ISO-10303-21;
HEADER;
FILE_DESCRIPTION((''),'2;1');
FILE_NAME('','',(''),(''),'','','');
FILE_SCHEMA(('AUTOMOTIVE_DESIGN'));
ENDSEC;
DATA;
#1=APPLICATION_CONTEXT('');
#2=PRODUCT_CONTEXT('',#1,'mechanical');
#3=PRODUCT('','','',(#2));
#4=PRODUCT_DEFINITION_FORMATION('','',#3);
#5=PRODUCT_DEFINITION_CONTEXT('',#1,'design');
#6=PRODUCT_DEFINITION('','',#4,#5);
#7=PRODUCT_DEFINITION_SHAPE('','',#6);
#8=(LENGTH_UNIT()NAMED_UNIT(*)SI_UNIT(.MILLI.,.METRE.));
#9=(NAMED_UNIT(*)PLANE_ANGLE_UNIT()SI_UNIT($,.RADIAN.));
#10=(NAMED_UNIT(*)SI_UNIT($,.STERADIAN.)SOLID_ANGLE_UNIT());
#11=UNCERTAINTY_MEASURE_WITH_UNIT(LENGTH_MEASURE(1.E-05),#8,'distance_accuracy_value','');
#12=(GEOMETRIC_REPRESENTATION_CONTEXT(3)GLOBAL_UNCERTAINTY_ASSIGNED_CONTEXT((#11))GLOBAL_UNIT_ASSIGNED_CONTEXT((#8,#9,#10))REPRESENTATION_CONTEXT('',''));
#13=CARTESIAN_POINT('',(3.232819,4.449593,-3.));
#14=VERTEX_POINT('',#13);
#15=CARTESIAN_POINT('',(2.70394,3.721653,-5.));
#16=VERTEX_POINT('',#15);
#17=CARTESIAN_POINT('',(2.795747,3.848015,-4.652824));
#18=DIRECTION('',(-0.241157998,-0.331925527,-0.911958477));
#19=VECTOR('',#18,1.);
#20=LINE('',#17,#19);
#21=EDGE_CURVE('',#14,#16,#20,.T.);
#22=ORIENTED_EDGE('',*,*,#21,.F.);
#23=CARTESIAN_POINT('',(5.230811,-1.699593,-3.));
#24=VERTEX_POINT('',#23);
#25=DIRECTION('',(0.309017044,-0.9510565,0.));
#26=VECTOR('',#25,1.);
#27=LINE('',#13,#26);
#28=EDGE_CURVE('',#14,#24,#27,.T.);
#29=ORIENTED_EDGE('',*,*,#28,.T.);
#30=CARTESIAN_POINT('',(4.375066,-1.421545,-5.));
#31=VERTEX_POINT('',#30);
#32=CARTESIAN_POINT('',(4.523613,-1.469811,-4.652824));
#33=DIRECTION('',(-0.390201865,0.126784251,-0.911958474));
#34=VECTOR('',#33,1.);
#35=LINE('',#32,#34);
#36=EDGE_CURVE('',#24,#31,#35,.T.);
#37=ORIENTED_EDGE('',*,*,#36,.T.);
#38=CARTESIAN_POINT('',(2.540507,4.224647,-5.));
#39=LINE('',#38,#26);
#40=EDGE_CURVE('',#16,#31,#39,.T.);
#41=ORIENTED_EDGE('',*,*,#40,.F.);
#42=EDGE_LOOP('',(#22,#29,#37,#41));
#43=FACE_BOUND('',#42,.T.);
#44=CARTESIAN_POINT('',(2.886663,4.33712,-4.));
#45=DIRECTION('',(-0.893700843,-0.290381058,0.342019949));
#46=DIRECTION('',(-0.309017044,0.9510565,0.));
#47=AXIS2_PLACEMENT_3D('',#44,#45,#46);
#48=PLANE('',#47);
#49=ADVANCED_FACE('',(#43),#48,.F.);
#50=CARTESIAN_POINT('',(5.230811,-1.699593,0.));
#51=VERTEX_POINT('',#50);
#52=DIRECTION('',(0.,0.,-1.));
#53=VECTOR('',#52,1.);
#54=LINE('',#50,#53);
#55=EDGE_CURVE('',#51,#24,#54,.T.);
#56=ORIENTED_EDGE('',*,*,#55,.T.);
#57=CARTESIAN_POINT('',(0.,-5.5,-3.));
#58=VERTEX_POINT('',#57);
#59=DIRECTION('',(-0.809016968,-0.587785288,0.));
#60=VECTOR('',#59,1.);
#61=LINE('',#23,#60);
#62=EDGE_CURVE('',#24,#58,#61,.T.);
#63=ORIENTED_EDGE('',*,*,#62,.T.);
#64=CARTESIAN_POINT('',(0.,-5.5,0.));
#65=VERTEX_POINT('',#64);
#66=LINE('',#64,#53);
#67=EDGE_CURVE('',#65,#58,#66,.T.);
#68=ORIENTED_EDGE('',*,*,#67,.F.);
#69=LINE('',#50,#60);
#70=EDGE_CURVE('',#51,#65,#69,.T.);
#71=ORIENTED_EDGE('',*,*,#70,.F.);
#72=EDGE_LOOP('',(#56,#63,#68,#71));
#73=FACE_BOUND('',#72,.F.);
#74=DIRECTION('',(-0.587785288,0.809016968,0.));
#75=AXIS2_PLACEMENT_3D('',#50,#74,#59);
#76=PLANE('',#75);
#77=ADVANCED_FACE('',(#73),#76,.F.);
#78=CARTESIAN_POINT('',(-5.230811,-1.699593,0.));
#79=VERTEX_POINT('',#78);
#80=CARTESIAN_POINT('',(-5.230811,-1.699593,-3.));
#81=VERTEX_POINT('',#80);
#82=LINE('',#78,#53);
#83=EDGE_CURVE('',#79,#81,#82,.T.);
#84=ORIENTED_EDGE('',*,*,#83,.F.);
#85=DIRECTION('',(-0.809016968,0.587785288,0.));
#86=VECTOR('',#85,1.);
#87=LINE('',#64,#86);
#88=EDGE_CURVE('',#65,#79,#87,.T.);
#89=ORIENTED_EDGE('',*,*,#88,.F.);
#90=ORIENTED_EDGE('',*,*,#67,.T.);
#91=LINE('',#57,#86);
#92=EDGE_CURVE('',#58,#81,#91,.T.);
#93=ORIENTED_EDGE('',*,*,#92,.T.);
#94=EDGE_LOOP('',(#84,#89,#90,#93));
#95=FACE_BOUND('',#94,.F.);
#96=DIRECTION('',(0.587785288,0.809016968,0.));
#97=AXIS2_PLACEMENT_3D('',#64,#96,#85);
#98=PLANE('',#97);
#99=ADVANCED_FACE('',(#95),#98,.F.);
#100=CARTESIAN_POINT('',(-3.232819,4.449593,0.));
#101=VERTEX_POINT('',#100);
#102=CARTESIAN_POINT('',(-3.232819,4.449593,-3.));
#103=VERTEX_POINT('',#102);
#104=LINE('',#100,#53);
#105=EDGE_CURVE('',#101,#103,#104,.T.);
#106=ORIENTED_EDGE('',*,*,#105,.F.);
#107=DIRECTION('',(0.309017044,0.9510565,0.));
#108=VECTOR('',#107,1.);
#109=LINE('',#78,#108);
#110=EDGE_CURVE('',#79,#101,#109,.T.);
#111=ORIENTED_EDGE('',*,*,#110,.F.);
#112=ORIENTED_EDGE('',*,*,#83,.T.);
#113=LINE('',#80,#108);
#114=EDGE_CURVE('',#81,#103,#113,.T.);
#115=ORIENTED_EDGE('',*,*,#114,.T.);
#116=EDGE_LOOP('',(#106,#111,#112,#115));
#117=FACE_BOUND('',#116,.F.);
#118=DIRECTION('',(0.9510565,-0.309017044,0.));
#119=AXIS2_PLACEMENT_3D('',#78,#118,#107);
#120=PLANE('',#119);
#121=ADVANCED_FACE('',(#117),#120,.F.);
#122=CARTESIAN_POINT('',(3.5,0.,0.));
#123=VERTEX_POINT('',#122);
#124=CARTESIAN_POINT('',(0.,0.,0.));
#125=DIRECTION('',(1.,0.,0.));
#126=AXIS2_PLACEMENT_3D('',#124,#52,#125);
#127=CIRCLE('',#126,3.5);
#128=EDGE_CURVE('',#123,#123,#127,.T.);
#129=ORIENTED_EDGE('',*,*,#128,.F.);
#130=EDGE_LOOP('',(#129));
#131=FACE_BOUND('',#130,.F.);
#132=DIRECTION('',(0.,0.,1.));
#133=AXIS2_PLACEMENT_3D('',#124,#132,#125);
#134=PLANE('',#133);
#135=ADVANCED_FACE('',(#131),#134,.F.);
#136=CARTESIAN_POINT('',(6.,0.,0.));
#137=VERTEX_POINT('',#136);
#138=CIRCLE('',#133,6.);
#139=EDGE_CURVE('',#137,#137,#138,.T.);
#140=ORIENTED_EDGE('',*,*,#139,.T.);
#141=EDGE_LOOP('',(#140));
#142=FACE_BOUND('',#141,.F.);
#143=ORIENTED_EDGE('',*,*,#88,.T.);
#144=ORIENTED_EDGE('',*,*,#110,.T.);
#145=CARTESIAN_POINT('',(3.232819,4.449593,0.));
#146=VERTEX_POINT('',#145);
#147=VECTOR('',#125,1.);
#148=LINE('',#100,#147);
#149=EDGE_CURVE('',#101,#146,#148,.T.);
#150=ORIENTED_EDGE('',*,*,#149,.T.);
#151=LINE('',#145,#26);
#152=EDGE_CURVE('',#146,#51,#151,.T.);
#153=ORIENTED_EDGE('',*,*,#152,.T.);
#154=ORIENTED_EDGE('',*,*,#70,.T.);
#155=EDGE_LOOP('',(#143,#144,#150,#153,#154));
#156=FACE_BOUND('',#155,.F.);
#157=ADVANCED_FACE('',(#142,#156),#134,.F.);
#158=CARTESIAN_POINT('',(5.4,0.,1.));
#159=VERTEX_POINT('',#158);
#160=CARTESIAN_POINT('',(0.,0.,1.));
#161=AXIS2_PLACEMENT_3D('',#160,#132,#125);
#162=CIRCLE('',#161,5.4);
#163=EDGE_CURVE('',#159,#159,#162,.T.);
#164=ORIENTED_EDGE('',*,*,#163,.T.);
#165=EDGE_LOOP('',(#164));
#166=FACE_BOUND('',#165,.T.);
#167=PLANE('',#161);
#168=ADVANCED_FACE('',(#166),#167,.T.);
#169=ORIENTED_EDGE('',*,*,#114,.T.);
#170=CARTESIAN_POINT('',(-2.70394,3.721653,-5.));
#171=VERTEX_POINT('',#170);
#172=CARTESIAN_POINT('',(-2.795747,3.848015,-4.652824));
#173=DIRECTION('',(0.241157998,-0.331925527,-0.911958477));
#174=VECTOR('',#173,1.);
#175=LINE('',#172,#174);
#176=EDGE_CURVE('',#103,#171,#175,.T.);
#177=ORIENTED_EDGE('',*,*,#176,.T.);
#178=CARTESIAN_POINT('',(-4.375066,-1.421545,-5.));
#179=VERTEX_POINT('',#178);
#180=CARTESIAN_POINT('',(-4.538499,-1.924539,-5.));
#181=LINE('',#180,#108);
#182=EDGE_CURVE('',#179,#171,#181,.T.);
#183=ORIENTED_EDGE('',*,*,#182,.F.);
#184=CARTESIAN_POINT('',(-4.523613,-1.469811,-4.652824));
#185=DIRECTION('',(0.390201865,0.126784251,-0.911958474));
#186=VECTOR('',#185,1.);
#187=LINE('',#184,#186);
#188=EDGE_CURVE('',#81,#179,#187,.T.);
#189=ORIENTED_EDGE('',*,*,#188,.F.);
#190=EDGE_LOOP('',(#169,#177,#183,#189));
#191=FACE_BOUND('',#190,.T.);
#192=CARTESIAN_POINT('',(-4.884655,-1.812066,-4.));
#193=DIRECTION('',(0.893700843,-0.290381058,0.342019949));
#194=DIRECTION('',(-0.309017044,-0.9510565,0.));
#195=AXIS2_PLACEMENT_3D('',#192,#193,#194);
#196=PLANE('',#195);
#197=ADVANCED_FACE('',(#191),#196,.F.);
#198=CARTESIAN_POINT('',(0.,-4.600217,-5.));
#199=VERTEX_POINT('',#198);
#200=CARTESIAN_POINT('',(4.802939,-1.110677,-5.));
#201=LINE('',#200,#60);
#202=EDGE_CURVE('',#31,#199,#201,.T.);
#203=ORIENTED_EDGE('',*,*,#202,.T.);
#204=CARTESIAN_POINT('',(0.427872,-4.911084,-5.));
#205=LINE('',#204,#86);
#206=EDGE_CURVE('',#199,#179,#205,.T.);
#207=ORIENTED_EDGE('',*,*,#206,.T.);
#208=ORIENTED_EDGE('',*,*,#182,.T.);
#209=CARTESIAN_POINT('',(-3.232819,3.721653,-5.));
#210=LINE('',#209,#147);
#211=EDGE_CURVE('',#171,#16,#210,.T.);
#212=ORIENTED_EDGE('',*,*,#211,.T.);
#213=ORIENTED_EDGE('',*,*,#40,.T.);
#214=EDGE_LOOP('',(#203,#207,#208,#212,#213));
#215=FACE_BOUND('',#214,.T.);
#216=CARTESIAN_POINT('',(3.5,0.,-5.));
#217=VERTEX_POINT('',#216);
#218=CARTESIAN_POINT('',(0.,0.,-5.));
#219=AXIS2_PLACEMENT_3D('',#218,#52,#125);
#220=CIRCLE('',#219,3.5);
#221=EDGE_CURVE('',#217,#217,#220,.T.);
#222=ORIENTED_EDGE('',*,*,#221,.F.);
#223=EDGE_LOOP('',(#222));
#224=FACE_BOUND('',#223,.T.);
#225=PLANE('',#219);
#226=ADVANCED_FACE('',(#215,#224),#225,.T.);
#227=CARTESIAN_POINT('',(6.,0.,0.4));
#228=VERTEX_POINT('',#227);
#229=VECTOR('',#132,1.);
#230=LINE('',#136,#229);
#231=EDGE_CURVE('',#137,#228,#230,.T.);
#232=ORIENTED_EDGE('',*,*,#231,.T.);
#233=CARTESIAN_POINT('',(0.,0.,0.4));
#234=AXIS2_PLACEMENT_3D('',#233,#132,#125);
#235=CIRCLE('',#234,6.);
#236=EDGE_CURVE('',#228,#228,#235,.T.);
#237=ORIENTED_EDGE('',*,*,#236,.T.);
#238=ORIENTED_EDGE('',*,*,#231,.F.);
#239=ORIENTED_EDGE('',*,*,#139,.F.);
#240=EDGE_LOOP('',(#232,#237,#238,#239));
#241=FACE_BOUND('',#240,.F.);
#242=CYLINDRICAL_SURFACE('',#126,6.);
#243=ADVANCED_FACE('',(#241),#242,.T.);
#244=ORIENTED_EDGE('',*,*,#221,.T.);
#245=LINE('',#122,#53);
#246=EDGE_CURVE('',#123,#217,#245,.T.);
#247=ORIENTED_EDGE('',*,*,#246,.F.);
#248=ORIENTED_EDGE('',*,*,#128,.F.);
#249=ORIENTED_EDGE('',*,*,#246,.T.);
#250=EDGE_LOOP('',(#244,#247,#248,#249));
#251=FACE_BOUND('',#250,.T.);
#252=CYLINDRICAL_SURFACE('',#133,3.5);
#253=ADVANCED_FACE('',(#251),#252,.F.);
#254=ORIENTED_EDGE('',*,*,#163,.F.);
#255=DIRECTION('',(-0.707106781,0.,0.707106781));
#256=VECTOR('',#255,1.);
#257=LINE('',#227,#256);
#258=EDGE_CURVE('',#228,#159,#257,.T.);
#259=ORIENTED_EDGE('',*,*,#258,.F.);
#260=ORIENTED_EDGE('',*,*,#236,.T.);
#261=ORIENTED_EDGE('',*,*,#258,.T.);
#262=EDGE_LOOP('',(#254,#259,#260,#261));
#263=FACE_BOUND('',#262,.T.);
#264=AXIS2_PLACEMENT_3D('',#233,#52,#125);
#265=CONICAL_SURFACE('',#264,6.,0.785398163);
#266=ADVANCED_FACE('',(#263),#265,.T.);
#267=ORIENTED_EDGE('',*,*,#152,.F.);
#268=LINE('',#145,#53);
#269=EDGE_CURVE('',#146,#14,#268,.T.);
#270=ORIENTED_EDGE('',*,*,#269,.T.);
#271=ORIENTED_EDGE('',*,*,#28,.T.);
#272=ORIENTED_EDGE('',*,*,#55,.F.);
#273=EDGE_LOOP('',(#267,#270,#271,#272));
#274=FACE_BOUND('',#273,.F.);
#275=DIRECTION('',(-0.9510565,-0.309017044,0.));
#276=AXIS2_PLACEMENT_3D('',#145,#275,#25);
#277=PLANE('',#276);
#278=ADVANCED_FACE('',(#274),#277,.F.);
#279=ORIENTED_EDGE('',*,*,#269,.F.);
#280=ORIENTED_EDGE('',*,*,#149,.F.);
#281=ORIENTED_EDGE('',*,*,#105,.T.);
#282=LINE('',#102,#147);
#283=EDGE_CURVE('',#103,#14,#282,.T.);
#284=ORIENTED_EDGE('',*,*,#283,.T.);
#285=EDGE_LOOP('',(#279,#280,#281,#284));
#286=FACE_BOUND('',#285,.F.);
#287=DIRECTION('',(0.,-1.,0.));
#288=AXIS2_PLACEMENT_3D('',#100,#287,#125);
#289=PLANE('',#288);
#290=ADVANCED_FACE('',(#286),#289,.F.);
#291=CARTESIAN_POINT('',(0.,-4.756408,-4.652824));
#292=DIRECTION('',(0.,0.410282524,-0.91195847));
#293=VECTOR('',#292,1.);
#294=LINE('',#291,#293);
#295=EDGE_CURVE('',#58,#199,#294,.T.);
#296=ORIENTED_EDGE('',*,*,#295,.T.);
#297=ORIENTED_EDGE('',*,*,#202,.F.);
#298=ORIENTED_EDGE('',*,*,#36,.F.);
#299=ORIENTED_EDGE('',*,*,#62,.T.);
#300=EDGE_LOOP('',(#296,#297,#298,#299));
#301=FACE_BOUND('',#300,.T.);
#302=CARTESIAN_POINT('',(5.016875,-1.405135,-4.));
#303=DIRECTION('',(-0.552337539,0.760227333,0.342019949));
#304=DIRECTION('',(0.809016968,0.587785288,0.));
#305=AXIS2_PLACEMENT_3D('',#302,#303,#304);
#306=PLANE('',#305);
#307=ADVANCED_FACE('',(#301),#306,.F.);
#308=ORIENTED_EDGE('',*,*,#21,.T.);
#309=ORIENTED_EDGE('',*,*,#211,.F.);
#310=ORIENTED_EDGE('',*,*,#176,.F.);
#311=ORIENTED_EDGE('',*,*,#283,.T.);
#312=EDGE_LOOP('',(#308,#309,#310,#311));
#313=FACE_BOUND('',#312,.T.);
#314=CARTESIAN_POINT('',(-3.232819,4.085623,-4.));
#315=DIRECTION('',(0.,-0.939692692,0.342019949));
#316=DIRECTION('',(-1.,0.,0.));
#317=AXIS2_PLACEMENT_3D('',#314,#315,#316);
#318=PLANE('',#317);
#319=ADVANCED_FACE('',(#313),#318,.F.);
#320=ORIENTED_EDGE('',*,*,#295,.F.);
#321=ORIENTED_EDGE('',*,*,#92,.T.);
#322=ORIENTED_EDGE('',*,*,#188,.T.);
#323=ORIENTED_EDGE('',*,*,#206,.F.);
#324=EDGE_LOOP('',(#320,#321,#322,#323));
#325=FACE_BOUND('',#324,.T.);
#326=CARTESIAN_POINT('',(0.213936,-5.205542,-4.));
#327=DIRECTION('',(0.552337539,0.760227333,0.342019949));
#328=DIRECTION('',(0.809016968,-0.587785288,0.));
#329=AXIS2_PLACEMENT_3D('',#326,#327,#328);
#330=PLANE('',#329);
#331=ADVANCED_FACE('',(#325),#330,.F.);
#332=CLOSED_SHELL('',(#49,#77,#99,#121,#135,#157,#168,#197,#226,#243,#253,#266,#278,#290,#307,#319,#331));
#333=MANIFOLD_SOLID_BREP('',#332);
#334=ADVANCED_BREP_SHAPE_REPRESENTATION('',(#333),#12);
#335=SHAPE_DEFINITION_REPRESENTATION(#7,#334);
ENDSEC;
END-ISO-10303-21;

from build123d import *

# Parameters (mm, degrees)
F0_R     = 6
F1_DEPTH = 1
F2_SIZE  = 0.6
F3_R     = 3.5
F4_DEPTH = 5
F5_SIZE2 = 0.72794
F5_SIZE  = 2


with BuildPart() as f1:
    # F0 (on Top) → F1 (new body)
    with BuildSketch(Plane.XY):
        Circle(F0_R)
    extrude(amount=F1_DEPTH)

    # F2
    f2_edges = [f1.edges().sort_by_distance(p)[0] for p in [
        (-6, 0, 1),
    ]]
    chamfer(f2_edges, length=F2_SIZE)

    # F3 (on face) → F4 (join)
    with BuildSketch(Plane(origin=(0, 0, 0), x_dir=(1, 0, 0), z_dir=(0, 0, -1))):
        Polygon((5.230811, 1.699593), (0, 5.5), (-5.230811, 1.699593), (-3.232819, -4.449593), (3.232819, -4.449593), align=None)
        Circle(F3_R, mode=Mode.SUBTRACT)
    extrude(amount=F4_DEPTH)

    # F5
    f5_edges = [f1.edges().sort_by_distance(p)[0] for p in [
        (-2.615405, -3.599797, -5),
        (-4.231815, 1.375, -5),
        (0, 4.449593, -5),
        (4.231815, 1.375, -5),
        (2.615405, -3.599797, -5),
    ]]
    chamfer(f5_edges, length=F5_SIZE, length2=F5_SIZE2)


solid = f1.part
